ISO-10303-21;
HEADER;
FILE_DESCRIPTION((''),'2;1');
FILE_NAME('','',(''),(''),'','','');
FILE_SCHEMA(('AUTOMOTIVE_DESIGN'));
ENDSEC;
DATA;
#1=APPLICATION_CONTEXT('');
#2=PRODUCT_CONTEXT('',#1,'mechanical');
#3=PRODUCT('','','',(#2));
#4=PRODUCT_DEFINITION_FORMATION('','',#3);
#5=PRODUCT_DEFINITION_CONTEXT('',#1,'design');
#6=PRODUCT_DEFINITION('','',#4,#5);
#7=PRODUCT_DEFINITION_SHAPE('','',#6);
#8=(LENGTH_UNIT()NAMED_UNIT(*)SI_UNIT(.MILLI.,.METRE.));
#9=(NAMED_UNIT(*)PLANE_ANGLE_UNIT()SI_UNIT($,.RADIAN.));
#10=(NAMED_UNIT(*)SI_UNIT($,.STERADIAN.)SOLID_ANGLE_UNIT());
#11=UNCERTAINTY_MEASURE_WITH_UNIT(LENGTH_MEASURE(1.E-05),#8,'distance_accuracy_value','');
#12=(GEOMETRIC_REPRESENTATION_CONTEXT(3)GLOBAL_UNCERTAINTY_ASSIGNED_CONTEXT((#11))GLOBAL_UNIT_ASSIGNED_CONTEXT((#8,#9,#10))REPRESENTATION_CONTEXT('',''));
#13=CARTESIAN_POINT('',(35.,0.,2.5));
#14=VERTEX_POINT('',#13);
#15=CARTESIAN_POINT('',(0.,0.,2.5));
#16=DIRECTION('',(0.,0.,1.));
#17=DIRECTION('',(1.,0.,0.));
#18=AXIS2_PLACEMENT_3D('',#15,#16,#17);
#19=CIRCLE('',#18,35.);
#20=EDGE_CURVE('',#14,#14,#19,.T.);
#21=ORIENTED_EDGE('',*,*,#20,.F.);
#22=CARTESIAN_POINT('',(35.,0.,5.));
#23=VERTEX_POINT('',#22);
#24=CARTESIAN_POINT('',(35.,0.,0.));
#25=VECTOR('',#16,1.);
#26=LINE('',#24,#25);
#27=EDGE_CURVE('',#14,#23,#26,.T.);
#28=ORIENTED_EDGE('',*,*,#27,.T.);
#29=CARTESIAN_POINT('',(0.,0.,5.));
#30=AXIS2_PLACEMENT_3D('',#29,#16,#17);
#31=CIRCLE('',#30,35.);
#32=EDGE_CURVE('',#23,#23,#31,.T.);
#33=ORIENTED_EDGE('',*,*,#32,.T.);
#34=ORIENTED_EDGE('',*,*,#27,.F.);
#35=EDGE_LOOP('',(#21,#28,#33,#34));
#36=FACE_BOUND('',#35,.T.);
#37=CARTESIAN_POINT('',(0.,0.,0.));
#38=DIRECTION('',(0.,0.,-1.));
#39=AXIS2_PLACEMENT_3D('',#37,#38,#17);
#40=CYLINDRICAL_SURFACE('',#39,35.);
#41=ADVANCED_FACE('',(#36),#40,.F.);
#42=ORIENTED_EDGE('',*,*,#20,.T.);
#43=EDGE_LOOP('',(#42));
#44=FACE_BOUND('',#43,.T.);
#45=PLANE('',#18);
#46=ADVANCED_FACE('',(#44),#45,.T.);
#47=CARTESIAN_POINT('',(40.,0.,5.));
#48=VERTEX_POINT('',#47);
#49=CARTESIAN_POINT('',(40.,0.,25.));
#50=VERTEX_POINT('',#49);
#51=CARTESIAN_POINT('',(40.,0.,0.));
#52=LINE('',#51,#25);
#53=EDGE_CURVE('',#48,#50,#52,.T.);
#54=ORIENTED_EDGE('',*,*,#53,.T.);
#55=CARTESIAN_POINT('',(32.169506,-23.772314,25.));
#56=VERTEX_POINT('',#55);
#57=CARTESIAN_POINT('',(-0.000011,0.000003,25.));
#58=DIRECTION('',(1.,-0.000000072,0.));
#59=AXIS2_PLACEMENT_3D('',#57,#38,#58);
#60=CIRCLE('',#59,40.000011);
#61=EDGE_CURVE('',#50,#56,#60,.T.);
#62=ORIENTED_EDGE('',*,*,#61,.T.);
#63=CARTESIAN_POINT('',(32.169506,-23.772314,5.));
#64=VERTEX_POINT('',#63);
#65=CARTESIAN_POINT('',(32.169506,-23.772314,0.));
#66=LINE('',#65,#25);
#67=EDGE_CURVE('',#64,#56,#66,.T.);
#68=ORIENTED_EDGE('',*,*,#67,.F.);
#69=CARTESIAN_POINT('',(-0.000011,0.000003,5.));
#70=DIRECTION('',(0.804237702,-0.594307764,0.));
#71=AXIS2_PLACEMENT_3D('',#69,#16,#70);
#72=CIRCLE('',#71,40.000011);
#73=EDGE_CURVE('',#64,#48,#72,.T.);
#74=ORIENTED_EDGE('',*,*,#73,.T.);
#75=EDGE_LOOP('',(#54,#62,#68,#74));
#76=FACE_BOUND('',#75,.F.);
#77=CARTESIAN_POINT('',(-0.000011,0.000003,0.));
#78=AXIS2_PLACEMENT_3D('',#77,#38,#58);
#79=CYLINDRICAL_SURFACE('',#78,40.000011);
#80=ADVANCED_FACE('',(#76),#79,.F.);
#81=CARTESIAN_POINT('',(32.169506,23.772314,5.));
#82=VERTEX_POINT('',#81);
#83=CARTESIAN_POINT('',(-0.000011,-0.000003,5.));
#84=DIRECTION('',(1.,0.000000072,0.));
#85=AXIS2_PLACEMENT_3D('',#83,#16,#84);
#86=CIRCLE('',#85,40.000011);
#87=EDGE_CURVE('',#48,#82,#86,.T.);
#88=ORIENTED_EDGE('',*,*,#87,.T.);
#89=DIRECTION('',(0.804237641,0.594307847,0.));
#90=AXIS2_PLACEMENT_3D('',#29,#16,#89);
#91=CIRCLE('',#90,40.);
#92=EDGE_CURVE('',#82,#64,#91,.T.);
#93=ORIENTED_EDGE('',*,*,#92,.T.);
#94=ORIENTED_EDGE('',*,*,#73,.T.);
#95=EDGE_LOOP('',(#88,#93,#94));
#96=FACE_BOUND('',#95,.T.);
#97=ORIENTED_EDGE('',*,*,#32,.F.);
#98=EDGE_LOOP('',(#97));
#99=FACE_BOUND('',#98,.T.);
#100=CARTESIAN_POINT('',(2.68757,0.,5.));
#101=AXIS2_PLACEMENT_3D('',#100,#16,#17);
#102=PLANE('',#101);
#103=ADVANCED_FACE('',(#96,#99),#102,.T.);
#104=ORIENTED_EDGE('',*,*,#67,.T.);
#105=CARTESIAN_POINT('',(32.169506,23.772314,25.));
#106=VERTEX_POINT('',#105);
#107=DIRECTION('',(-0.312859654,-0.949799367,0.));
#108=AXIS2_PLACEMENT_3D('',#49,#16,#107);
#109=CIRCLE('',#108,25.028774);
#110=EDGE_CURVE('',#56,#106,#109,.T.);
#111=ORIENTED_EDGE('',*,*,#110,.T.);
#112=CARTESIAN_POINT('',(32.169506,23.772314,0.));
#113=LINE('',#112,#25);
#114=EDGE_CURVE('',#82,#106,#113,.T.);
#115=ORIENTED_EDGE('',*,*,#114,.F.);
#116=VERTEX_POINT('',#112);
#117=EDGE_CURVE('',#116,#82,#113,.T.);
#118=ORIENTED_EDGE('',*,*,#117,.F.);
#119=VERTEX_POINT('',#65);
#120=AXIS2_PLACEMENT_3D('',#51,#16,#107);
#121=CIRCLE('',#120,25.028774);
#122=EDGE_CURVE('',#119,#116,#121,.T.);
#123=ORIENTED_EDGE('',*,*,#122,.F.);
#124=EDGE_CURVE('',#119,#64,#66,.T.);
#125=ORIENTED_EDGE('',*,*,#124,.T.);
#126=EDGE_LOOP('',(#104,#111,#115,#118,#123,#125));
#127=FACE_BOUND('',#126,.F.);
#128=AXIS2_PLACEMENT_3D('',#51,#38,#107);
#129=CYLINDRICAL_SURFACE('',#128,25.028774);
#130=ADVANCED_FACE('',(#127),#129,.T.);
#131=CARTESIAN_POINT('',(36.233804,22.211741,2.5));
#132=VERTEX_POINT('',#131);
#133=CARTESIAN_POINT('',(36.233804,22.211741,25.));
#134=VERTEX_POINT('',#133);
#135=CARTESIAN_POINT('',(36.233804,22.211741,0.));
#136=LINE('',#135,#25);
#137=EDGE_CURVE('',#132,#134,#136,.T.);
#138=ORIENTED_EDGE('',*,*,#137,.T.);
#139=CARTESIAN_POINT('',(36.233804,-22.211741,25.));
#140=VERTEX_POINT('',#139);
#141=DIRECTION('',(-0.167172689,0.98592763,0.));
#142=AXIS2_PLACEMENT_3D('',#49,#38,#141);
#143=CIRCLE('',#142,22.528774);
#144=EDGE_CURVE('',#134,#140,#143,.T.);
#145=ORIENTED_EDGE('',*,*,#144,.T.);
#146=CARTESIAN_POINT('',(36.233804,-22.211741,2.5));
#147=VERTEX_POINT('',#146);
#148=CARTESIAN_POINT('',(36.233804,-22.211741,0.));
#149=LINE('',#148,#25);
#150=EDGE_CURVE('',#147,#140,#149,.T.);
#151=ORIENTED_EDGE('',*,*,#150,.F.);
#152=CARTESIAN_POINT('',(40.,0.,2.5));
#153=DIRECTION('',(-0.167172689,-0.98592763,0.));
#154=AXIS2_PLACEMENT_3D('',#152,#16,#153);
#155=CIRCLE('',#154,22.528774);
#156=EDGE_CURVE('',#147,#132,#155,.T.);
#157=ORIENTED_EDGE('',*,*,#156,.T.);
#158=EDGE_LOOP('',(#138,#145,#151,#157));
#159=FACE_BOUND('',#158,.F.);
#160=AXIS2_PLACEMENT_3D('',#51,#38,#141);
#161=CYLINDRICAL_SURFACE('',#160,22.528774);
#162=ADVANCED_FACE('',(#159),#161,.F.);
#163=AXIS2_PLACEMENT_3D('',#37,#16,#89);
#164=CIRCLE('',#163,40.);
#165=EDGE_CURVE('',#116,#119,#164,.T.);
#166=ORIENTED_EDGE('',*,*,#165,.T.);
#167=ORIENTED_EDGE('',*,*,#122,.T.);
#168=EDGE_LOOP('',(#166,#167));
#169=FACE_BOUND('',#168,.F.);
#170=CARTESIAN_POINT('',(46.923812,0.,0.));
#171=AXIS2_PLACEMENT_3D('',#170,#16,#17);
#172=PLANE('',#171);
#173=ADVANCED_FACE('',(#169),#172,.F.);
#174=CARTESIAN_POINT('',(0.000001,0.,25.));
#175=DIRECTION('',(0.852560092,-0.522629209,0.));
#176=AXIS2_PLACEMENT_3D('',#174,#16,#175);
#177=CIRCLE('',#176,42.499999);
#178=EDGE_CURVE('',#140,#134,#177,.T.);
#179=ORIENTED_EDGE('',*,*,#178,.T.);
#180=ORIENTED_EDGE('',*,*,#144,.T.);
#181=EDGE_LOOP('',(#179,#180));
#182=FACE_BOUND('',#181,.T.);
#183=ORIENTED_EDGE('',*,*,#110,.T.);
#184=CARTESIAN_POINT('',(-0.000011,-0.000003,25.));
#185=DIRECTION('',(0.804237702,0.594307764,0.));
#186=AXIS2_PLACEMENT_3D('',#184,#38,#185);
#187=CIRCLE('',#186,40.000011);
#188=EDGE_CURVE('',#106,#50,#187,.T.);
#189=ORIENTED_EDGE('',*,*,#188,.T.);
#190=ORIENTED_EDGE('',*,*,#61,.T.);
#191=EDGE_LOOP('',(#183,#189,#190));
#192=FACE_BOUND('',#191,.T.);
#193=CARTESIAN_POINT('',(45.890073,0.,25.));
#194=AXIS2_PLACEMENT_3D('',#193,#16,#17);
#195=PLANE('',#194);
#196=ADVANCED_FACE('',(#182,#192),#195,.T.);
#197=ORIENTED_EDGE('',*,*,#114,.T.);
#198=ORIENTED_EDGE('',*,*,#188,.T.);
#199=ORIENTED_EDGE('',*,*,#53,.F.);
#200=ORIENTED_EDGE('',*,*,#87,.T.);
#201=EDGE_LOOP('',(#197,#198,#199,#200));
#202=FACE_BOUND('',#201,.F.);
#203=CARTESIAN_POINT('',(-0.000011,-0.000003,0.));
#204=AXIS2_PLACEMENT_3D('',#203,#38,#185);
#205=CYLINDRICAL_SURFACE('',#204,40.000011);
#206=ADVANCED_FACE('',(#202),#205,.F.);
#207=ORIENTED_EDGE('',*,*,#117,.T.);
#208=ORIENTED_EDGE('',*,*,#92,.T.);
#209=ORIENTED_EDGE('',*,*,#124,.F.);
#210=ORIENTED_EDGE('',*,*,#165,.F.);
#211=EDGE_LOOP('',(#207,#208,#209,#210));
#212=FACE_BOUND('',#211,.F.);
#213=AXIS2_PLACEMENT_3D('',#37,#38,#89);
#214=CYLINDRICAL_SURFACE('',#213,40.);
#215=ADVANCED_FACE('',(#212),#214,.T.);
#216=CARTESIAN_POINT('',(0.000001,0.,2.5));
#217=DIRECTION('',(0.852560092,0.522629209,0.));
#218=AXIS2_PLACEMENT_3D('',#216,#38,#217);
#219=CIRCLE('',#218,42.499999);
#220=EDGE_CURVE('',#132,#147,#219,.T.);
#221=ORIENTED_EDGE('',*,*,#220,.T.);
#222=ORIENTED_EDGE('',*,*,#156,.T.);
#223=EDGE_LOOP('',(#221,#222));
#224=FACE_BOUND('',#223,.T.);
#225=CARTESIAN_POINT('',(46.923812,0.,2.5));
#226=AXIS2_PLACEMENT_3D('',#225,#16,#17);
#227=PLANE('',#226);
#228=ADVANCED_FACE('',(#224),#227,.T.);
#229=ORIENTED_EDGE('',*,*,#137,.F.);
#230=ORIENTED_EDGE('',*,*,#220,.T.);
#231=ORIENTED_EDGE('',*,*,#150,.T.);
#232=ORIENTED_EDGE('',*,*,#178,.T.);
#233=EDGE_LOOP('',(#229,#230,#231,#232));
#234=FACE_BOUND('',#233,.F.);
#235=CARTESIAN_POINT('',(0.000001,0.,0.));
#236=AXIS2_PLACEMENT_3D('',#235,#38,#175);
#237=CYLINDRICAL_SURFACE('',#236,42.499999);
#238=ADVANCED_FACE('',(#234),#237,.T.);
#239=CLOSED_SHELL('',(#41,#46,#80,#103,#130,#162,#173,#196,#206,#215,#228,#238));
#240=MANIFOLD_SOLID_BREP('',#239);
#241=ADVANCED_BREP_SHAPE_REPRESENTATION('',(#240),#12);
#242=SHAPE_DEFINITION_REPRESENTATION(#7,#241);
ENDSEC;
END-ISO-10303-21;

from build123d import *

# Parameters (mm, degrees)
F1_DEPTH = 25
F0_R     = 35
F2_DEPTH = 5
F3_DEPTH = 2.5
F4_DEPTH = 2.5


with BuildPart() as f1:
    # F0 (on Top) → F1 (new body)
    with BuildSketch(Plane.XY):
        with BuildLine():
            ThreePointArc((32.169506, 23.772314), (37.991974, 12.514387), (40, 0))
            ThreePointArc((40, 0), (37.991974, -12.514387), (32.169506, -23.772314))
            ThreePointArc((32.169506, -23.772314), (65.028774, 0), (32.169506, 23.772314))
        make_face()
        with BuildLine():
            ThreePointArc((36.233804, 22.211741), (62.528774, 0), (36.233804, -22.211741))
            ThreePointArc((36.233804, -22.211741), (42.5, 0), (36.233804, 22.211741))
        make_face(mode=Mode.SUBTRACT)
    extrude(amount=F1_DEPTH)

    # F0 (on Top) → F2 (join)
    with BuildSketch(Plane.XY):
        with BuildLine():
            ThreePointArc((32.169506, -23.772314), (37.991974, -12.514387), (40, 0))
            ThreePointArc((40, 0), (37.991974, 12.514387), (32.169506, 23.772314))
            ThreePointArc((32.169506, 23.772314), (-40, 0), (32.169506, -23.772314))
        make_face()
        Circle(F0_R, mode=Mode.SUBTRACT)
    extrude(amount=F2_DEPTH)

    # F0 (on Top) → F3 (join)
    with BuildSketch(Plane.XY):
        Circle(F0_R)
    extrude(amount=F3_DEPTH)

    # F0 (on Top) → F4 (join)
    with BuildSketch(Plane.XY):
        with BuildLine():
            ThreePointArc((36.233804, 22.211741), (42.5, 0), (36.233804, -22.211741))
            ThreePointArc((36.233804, -22.211741), (62.528774, 0), (36.233804, 22.211741))
        make_face()
    extrude(amount=F4_DEPTH)


solid = f1.part
